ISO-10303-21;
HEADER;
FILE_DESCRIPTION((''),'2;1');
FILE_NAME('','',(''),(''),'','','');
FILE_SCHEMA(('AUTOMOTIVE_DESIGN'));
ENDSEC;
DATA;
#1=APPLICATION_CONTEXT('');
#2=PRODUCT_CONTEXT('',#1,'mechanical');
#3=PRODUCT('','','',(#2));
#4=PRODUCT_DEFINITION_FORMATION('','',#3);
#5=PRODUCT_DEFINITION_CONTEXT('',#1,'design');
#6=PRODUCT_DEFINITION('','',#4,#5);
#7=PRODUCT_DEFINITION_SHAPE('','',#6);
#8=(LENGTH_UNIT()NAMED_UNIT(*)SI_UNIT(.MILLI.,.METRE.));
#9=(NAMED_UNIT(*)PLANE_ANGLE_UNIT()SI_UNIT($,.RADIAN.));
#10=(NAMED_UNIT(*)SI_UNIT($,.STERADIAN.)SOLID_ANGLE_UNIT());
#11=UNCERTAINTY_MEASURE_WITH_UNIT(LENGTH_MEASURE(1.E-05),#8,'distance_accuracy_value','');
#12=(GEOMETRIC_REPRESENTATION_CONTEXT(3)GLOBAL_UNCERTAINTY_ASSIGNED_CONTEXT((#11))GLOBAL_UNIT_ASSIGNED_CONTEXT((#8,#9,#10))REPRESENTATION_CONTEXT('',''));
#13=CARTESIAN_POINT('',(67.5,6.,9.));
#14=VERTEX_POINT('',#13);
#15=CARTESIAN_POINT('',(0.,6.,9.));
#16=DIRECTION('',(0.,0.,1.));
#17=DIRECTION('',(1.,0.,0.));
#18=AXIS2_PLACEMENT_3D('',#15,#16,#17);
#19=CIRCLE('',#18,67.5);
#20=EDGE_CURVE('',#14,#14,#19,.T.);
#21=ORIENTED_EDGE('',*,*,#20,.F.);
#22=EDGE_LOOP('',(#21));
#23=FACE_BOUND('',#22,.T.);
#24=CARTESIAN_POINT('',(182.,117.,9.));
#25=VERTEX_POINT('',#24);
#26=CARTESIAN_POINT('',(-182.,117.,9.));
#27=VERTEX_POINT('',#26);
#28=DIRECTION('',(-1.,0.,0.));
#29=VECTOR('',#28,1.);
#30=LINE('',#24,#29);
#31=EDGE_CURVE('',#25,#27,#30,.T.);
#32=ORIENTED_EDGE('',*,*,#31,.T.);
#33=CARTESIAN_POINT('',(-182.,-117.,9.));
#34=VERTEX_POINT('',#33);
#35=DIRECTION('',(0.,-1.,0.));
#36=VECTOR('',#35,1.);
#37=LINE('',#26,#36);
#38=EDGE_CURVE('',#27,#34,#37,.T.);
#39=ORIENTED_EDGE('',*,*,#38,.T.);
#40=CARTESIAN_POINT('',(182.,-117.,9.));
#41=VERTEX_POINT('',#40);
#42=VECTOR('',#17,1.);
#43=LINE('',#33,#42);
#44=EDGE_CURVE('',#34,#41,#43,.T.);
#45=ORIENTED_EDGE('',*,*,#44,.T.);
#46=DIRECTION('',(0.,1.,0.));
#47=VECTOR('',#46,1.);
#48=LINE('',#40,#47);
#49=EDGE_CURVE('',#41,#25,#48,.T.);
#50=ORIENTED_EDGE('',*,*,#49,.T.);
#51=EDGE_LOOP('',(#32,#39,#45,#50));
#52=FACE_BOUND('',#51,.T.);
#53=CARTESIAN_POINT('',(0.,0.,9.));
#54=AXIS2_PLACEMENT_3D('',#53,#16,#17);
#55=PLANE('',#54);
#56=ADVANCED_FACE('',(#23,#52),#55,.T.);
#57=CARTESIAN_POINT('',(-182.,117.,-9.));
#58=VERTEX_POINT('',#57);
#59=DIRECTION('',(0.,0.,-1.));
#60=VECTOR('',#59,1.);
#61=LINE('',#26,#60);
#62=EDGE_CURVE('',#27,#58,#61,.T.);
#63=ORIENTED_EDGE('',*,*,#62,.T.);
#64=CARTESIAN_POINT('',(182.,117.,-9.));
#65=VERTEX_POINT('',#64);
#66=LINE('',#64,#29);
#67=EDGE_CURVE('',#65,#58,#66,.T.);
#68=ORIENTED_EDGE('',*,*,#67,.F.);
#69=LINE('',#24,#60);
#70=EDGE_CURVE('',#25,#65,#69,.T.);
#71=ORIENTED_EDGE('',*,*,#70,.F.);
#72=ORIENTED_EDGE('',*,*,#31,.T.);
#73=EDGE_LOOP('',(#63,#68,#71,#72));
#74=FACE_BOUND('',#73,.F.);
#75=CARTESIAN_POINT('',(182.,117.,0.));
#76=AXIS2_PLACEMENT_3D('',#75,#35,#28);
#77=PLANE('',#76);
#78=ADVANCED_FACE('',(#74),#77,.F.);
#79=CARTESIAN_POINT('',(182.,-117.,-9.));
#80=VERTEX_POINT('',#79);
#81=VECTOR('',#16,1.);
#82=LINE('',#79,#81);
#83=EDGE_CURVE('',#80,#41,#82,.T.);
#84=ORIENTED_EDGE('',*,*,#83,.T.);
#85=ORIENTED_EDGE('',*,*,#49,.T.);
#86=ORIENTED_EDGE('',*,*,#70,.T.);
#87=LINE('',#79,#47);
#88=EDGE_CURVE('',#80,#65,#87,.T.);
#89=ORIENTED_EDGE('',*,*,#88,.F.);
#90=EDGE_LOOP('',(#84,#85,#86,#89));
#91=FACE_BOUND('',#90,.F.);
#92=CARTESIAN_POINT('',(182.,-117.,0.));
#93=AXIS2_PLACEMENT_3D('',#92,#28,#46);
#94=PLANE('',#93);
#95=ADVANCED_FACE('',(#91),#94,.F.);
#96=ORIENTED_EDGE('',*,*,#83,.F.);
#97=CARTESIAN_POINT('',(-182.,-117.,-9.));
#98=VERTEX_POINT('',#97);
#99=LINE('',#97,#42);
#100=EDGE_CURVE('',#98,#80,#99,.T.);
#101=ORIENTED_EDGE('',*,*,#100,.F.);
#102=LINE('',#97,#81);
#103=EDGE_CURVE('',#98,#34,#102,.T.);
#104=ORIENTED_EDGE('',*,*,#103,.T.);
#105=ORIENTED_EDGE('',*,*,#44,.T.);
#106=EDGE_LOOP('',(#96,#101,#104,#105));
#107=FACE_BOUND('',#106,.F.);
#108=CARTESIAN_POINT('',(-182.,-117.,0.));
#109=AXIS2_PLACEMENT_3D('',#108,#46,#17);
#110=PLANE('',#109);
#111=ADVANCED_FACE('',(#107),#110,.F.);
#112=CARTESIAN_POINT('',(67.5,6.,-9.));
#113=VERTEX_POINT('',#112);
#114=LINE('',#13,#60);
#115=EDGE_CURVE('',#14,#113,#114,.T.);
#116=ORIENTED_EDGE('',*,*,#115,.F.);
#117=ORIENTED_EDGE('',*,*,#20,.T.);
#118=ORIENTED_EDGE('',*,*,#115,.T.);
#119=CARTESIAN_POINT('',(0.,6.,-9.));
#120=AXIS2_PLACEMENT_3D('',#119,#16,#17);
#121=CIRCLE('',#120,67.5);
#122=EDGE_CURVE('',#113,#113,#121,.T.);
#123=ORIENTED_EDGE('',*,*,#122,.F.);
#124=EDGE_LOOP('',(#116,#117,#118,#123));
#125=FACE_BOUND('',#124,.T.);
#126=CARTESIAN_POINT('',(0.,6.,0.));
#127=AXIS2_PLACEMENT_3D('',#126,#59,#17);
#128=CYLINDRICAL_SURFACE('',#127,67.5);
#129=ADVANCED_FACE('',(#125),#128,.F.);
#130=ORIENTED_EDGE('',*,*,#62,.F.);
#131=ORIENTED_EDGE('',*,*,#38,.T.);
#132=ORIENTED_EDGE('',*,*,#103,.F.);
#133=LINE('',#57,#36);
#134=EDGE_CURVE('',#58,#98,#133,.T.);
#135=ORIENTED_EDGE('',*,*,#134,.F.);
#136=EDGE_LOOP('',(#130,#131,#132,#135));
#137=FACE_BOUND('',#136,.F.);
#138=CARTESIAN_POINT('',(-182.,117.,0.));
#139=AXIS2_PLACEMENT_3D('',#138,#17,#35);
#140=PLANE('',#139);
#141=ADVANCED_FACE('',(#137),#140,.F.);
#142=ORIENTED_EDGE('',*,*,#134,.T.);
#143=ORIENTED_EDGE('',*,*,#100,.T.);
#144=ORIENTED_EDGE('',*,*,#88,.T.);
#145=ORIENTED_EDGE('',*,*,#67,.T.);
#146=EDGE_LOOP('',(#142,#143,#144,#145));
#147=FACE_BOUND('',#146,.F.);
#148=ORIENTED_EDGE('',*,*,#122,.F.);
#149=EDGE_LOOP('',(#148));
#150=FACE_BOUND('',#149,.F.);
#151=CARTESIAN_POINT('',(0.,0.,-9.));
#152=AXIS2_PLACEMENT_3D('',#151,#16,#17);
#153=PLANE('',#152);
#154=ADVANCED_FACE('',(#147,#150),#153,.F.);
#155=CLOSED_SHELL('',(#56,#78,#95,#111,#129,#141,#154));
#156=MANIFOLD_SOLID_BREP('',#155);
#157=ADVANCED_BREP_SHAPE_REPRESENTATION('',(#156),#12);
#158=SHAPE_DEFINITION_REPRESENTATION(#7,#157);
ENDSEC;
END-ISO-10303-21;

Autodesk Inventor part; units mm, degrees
ref_plane "YZ Plane" through (0, 0, 0) normal (1, 0, 0) x (0, 1, 0)
ref_plane "XZ Plane" through (0, 0, 0) normal (0, 1, 0) x (-1, 0, 0)
ref_plane "XY Plane" through (0, 0, 0) normal (0, 0, 1) x (1, 0, 0)
sketch "Skizze1" plane through (0, 0, 0) normal (0, 0, 1) x (1, 0, 0)
  line L0 (-182, -117) -> (182, -117)
  line L1 (182, -117) -> (182, 117)
  line L2 (182, 117) -> (-182, 117)
  line L3 (-182, 117) -> (-182, -117)
  line L4 (-182, -117) -> (182, 117) construction
  line L5 (182, -117) -> (-182, 117) construction
  circle A0 centre (0, 6) radius 67.5
  point P0 (0, 0)
  point P1 (0, 0)
  point P2 (0, 0)
  dimension "d0" = 364
  dimension "d1" = 234
  dimension "d2" = 135
  dimension "d3" = 6
extrude "Extrusion1" add sketch "Skizze1" along normal mid plane 18
equation "\"d0\" = case_width - 2 * case_thickness"
equation "\"d1\" = -inner_thickness + inner_depth - mdf_thickness"
equation "\"d3\" = mdf_thickness"
equation "\"d4\" = case_thickness"
equation "\"kg_thickness\" = 4.9"
equation "\"ht_thickness\" = 1.9"
equation "\"case_thickness\" = 18"
equation "\"inner_thickness\" = 15"
equation "\"gap_fit\" = 0.1"
equation "\"gap_slide\" = 0.2"
equation "\"gap_air\" = 1"
equation "\"bore_diameter\" = 73"
equation "\"mdf_thickness\" = 6"
equation "\"tape_width\" = 15"
equation "\"tape_thickness\" = 3"
equation "\"inner_depth\" = 255"
equation "\"case_width\" = 400"
properties part number "Korpus_Motor"
